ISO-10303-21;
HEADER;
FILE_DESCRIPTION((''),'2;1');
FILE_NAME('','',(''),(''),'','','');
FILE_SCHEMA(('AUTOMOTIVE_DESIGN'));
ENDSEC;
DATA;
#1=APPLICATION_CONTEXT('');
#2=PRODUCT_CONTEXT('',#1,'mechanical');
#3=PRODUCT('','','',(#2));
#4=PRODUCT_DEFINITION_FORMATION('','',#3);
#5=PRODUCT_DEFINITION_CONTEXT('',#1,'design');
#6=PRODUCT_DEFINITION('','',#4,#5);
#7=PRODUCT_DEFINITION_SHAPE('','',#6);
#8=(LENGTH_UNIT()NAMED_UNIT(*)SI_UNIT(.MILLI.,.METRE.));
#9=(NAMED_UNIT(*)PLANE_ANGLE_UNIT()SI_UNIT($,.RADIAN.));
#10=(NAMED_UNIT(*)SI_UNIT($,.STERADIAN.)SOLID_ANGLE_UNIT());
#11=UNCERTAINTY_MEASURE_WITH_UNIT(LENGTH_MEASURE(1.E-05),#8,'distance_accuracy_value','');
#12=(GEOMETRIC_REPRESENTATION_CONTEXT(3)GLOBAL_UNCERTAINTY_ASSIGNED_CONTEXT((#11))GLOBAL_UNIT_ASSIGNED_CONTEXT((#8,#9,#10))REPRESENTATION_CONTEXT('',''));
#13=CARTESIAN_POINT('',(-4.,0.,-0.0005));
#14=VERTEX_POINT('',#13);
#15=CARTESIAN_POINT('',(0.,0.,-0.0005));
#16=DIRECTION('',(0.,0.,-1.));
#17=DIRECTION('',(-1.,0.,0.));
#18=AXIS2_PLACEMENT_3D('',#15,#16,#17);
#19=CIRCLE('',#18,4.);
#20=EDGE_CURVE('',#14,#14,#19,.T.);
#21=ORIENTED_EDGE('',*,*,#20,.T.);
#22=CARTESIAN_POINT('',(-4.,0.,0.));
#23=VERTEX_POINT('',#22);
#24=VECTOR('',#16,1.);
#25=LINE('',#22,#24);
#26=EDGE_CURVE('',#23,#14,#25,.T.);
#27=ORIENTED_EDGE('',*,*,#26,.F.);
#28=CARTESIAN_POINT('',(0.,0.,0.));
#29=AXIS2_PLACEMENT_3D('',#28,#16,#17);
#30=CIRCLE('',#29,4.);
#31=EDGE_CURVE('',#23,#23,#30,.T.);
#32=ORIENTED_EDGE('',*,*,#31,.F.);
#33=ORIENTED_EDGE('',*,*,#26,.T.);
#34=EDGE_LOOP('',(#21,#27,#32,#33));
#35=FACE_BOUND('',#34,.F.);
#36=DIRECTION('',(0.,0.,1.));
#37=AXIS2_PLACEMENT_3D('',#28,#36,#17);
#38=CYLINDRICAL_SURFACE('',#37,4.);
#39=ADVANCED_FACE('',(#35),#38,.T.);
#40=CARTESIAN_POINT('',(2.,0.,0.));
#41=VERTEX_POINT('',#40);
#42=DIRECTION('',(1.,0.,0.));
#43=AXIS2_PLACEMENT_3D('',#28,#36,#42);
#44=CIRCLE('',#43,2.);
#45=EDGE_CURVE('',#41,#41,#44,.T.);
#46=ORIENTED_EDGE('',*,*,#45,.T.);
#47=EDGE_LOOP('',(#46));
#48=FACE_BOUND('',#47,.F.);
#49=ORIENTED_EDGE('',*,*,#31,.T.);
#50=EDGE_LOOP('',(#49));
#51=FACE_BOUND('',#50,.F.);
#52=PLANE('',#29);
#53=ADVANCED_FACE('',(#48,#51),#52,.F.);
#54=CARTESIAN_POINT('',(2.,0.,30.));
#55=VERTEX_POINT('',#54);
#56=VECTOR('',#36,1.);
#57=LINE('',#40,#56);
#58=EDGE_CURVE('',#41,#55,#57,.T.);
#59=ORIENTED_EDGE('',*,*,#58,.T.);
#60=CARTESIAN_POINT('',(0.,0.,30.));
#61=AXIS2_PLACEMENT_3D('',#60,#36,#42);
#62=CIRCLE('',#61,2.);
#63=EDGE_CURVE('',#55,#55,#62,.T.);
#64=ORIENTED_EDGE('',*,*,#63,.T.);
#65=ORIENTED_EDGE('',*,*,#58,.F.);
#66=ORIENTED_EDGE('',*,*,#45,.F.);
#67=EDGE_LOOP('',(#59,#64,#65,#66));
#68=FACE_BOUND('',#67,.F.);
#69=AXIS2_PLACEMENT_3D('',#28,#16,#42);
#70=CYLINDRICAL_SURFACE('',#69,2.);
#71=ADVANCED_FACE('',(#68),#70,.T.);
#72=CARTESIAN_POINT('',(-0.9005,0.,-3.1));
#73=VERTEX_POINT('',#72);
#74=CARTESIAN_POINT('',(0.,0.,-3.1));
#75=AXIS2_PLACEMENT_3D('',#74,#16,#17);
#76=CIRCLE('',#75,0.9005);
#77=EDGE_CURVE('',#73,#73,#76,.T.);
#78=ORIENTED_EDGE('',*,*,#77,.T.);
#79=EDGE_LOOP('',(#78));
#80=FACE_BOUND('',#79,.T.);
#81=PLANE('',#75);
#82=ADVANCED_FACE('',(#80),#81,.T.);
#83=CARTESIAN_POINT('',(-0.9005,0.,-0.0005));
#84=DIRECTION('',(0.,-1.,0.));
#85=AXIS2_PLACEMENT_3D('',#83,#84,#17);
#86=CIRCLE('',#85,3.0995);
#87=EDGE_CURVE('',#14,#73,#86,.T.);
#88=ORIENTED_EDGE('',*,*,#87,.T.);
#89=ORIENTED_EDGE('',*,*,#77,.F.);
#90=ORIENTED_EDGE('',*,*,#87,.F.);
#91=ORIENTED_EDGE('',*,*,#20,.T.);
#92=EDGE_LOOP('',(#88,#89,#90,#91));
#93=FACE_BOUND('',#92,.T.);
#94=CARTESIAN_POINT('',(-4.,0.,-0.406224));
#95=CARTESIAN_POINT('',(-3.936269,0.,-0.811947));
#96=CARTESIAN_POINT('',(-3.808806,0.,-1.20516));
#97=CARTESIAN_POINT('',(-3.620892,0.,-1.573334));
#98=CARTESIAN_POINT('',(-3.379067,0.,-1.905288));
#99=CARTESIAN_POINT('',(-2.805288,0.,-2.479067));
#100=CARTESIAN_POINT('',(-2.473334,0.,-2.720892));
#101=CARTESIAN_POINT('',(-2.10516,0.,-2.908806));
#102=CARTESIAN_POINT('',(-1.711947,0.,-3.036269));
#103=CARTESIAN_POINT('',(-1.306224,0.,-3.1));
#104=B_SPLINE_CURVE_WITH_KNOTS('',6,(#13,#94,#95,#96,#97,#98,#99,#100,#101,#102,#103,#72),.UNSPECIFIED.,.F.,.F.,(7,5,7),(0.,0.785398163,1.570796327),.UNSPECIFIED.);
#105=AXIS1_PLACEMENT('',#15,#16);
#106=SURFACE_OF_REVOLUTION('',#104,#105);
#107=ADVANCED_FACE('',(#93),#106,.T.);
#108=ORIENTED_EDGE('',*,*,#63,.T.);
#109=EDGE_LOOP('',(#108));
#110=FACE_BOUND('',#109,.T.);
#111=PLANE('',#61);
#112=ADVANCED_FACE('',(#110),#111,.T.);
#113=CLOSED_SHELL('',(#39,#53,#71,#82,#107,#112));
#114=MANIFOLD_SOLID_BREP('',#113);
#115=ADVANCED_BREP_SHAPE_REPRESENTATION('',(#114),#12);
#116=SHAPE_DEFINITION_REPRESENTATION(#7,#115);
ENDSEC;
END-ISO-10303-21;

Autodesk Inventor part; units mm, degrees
ref_plane "YZ Plane" through (0, 0, 0) normal (1, 0, 0) x (0, 1, 0)
ref_plane "XZ Plane" through (0, 0, 0) normal (0, 1, 0) x (-1, 0, 0)
ref_plane "XY Plane" through (0, 0, 0) normal (0, 0, 1) x (1, 0, 0)
sketch "スケッチ1" plane through (0, 0, 0) normal (0, 0, 1) x (1, 0, 0)
  circle A0 centre (0, 0) radius 2
  dimension "d1" = 4
extrude "押し出し1" add sketch "スケッチ1" along normal blind 30
sketch "スケッチ2" plane through (0, 0, 0) normal (0, 0, -1) x (-1, 0, 0)
  circle A0 centre (0, 0) radius 2 projected
  circle A1 centre (0, 0) radius 4
  dimension "d4" = 8
extrude "押し出し2" add sketch "スケッチ2" along normal blind 3.1 contours A0 | A1
fillet "フィレット1" radius 3.1 1 edges at (4, 0, -3.1)
thread "ねじ1" size "M4x0.7" class "6g" standard "ANSI Metric M Profile" full length
properties part number "ネジ鍋m4,30" material "鋼、高強度、低合金"
